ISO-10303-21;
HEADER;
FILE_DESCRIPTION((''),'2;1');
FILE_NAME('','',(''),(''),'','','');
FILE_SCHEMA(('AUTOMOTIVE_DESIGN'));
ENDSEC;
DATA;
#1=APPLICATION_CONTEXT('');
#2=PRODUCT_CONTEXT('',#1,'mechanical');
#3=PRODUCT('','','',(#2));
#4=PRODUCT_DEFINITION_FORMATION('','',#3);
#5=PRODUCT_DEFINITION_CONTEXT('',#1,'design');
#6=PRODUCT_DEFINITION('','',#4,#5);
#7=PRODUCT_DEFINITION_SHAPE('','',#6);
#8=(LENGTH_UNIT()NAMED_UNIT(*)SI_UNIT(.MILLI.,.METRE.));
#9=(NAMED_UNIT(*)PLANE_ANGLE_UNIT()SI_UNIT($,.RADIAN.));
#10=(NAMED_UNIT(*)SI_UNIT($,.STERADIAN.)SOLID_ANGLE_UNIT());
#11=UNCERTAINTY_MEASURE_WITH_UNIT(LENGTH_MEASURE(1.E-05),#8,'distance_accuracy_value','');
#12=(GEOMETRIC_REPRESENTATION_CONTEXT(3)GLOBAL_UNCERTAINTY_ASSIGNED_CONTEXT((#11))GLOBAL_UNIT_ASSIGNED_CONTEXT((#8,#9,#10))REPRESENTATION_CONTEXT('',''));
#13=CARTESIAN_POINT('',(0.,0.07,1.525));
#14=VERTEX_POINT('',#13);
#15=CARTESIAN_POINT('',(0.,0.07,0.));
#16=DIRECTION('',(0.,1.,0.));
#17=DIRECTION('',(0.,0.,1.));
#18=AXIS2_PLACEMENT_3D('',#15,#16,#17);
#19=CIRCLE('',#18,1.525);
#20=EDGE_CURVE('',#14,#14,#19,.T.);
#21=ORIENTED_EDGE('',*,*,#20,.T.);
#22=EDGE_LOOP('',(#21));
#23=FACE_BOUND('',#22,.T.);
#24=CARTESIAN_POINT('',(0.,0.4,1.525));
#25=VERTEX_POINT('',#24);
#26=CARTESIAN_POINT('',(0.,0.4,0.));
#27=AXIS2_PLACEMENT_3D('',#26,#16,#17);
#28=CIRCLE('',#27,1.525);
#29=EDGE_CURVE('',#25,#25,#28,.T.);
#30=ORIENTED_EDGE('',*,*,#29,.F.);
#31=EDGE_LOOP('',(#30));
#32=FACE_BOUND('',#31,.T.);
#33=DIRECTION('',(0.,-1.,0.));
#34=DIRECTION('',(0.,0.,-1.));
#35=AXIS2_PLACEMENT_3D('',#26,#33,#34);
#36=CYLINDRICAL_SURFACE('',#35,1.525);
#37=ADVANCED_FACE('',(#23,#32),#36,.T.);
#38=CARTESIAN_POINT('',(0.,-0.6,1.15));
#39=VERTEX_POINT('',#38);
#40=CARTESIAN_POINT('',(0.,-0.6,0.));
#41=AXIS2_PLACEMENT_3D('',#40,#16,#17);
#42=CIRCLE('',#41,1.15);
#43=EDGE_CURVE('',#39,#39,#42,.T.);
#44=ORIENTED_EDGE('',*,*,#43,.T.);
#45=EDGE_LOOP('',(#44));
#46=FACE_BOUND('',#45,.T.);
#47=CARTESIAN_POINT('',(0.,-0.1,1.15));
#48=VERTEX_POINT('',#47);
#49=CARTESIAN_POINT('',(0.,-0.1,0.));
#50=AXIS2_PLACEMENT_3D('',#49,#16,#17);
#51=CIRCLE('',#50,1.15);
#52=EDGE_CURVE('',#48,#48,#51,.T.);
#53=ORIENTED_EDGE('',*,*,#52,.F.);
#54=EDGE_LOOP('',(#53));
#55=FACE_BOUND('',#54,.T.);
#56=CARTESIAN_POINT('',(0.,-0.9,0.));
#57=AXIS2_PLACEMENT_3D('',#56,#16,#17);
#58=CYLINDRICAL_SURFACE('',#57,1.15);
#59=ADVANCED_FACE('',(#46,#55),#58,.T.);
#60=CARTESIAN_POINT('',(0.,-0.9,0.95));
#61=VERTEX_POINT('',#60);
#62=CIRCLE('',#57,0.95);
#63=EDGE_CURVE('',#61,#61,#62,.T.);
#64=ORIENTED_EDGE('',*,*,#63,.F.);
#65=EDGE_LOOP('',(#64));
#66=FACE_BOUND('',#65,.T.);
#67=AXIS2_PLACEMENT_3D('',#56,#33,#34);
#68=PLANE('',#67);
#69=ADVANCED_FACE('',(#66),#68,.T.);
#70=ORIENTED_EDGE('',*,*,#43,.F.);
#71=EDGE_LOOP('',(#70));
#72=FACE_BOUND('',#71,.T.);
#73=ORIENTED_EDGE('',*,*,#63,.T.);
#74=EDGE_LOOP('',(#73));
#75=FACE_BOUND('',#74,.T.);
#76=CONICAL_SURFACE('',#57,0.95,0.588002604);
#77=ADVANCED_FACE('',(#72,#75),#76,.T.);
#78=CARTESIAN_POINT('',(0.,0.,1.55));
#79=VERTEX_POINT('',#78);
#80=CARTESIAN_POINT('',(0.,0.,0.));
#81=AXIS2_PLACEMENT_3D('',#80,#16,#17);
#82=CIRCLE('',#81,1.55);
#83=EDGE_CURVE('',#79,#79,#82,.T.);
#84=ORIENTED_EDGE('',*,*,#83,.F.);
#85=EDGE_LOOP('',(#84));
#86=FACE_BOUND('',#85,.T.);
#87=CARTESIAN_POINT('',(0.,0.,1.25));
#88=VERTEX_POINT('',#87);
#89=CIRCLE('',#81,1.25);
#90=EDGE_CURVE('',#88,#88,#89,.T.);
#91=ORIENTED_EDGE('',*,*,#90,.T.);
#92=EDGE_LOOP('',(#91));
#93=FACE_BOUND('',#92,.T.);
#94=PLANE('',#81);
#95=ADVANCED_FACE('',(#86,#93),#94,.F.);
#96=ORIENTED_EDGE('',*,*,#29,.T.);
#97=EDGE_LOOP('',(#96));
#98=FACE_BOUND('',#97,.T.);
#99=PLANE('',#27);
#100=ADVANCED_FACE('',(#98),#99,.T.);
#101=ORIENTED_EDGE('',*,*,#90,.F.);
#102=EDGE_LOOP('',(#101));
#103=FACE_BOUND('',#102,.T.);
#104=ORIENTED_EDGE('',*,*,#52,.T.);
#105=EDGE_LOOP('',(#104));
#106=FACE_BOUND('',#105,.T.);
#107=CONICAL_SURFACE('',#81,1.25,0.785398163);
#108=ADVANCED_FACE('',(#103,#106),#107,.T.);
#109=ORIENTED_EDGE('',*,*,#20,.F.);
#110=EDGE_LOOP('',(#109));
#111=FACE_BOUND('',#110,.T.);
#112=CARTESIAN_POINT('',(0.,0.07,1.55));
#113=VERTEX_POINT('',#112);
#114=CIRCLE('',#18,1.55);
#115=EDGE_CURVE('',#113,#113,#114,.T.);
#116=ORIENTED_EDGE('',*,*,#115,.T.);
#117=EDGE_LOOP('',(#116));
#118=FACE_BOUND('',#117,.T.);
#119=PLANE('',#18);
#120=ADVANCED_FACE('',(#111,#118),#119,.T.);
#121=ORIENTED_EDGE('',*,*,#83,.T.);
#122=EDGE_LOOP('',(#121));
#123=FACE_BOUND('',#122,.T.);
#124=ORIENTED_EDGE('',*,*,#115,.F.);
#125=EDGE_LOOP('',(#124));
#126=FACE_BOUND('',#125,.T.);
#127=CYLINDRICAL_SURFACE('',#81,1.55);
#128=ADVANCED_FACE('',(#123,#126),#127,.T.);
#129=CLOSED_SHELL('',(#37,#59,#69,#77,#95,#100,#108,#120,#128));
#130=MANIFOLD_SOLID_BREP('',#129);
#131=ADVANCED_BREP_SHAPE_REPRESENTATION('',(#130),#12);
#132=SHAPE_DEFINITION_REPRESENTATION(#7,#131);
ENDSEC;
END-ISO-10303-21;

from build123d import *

# Parameters (mm, degrees)
SKETCH1_R           = 1.525
BOSS_EXTRUDE1_DEPTH = 0.4
BOSS_EXTRUDE2_START = -0.33
SKETCH3_R           = 1.55
BOSS_EXTRUDE2_DEPTH = 0.07
SKETCH4_R           = 1.15
BOSS_EXTRUDE3_DEPTH = 0.9


with BuildPart() as part:
    # Sketch1 → Boss-Extrude1 (new body)
    with BuildSketch(Plane(origin=(0, 0, 0), x_dir=(1, 0, 0), z_dir=(0, 1, 0))):
        with Locations(Location((0, 0, 0), (0, 0, 270))):
            Circle(SKETCH1_R)
    extrude(amount=BOSS_EXTRUDE1_DEPTH)

    # Sketch3 → Boss-Extrude2 (add)
    with BuildSketch(Plane(origin=(0, 0.4, 0), x_dir=(1, 0, 0), z_dir=(0, 1, 0)).offset(BOSS_EXTRUDE2_START)):
        with Locations(Location((0, 0, 0), (0, 0, 270))):
            Circle(SKETCH3_R)
    extrude(amount=-BOSS_EXTRUDE2_DEPTH)

    # Sketch4 → Boss-Extrude3 (add)
    with BuildSketch(Plane.XZ):
        with Locations(Location((0, 0, 0), (0, 0, 270))):
            Circle(SKETCH4_R)
    extrude(amount=BOSS_EXTRUDE3_DEPTH)

    # Sketch5 → Cut-Revolve1 (revolve, cut)
    with BuildSketch(Plane.XY, mode=Mode.PRIVATE) as cut_revolve1_sk:
        Polygon((-1.15, -0.6), (-0.95, -0.9), (-1.15, -0.9), align=None)
    revolve(cut_revolve1_sk.sketch.rotate(Axis((0, -0.9, 0), (0, -1, 0)), 270), axis=Axis((0, -0.9, 0), (0, -1, 0)), mode=Mode.SUBTRACT)

    # Sketch7 → Revolve1 (revolve)
    with BuildSketch(Plane.XY, mode=Mode.PRIVATE) as revolve1_sk:
        Polygon((-1.15, -0.1), (-1.25, 0), (-1.15, 0), align=None)
    revolve(revolve1_sk.sketch.rotate(Axis((0, -0.9, 0), (0, -1, 0)), 270), axis=Axis((0, -0.9, 0), (0, -1, 0)))


solid = part.part
